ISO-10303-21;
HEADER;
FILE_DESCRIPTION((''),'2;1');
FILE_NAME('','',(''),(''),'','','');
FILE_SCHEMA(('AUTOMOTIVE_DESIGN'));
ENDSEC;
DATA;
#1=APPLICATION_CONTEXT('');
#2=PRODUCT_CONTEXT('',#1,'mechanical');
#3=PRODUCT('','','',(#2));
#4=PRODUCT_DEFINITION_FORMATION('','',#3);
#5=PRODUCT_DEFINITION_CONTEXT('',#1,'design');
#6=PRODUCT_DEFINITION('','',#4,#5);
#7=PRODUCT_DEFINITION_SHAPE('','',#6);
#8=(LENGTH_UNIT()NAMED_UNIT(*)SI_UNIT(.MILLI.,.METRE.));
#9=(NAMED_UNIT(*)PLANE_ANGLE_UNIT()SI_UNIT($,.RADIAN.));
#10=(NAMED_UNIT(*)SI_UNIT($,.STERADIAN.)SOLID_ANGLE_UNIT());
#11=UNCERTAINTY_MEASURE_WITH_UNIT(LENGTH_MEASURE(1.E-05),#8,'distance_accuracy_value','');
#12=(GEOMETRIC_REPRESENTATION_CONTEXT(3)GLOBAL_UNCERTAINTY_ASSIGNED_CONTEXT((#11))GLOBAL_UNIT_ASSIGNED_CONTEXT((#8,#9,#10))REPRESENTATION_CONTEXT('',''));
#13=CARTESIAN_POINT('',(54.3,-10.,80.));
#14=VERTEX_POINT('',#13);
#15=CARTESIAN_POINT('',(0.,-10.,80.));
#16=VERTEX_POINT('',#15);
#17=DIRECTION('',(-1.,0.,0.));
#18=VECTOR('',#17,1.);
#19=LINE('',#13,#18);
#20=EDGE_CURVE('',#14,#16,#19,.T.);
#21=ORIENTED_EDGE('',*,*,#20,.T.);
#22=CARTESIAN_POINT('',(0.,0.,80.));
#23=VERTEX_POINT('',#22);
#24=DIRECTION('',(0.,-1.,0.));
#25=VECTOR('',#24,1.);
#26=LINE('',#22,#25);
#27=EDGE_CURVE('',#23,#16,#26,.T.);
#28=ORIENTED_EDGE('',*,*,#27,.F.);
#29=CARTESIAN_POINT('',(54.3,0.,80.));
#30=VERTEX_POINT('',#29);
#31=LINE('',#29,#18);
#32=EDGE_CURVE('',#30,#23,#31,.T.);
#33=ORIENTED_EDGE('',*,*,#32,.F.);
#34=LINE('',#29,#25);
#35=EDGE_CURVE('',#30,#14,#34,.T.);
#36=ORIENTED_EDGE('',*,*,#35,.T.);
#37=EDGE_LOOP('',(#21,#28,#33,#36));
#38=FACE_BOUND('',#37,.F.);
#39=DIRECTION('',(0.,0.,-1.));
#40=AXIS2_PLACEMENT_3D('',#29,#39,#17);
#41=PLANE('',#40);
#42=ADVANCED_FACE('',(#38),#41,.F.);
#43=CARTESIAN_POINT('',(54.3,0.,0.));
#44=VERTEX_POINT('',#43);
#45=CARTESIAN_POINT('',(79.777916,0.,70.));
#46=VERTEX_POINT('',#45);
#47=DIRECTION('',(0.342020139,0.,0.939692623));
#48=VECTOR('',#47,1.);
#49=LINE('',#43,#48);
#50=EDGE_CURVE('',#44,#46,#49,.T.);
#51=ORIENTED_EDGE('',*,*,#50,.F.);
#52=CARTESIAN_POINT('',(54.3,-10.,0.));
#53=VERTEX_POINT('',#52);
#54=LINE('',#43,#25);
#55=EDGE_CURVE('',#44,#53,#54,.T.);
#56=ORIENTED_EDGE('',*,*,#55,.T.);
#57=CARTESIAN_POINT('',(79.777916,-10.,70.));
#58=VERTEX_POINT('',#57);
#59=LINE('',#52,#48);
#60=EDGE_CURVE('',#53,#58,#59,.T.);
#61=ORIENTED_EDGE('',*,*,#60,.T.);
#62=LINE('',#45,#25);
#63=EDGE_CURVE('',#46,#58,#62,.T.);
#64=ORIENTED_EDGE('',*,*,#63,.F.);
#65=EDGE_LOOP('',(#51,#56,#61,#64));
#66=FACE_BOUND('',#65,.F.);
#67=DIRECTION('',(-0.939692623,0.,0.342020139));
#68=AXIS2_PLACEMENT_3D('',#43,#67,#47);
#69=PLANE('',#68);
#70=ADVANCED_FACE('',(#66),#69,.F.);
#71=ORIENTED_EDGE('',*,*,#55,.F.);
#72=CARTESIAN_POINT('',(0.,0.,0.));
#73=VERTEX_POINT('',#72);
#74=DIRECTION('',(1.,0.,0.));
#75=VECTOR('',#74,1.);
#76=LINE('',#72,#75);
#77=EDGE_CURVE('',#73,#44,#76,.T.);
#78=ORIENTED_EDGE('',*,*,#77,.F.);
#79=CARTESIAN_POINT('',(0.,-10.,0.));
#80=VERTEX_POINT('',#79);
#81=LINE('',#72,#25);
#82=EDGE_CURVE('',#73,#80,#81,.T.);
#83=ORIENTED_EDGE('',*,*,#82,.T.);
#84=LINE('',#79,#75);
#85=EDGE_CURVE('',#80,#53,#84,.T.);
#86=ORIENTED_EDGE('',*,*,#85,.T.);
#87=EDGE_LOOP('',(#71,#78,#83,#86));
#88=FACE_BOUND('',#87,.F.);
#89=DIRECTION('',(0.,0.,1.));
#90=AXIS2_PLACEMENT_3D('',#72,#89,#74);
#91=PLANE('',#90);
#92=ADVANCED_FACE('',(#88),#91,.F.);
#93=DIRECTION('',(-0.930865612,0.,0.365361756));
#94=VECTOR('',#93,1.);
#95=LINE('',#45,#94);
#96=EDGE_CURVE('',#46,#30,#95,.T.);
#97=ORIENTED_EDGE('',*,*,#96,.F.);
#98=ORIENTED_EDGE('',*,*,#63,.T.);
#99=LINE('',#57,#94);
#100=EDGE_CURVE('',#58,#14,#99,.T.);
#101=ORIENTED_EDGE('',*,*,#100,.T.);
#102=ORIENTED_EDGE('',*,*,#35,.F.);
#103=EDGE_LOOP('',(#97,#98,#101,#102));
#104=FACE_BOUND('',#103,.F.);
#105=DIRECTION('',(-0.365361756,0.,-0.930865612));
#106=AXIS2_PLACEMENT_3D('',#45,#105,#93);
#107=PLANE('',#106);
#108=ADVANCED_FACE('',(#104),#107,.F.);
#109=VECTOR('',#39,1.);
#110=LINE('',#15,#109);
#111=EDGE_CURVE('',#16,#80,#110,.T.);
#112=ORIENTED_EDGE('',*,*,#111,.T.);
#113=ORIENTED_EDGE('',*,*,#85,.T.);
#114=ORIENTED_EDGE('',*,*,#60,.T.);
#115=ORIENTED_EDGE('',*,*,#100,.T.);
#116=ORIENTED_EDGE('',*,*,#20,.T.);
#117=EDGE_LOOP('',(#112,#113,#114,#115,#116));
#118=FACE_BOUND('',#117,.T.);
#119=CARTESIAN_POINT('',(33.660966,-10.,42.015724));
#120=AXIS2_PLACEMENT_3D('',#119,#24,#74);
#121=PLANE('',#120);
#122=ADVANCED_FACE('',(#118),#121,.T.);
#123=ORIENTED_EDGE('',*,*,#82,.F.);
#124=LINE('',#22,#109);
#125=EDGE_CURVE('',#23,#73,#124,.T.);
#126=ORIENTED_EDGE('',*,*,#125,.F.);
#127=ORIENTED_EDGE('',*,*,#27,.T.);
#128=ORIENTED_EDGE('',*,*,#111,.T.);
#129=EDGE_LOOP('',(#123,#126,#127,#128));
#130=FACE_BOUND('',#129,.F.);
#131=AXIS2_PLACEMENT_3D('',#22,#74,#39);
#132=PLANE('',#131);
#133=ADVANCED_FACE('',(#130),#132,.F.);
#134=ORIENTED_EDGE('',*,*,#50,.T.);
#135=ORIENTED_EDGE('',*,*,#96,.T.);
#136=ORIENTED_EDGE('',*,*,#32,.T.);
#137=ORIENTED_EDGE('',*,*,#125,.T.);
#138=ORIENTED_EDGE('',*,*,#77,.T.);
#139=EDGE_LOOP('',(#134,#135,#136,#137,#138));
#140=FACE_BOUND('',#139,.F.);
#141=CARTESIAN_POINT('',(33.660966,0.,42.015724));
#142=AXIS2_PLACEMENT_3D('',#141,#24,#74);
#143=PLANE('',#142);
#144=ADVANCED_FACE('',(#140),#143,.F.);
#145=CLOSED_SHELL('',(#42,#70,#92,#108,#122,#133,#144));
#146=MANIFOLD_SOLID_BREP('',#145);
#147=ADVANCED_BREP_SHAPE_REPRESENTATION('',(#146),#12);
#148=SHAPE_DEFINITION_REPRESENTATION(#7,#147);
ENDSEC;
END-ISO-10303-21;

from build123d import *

# Parameters (mm, degrees)
PAD_DEPTH               = 10
PADBODY_PLACEMENT_ANGLE = 90


with BuildPart() as part:
    # Sketch → Pad (new body)
    with BuildSketch(Plane.XY):
        Polygon((0, 0), (54.3, 0), (79.777916, 70), (54.3, 80), (0, 80), align=None)
    extrude(amount=PAD_DEPTH)


with BuildPart() as part_1:
    # PadBody placement: moved
    add(part.part.rotate(Axis((0, 0, 0), (1, 0, 0)), PADBODY_PLACEMENT_ANGLE))


solid = part_1.part
